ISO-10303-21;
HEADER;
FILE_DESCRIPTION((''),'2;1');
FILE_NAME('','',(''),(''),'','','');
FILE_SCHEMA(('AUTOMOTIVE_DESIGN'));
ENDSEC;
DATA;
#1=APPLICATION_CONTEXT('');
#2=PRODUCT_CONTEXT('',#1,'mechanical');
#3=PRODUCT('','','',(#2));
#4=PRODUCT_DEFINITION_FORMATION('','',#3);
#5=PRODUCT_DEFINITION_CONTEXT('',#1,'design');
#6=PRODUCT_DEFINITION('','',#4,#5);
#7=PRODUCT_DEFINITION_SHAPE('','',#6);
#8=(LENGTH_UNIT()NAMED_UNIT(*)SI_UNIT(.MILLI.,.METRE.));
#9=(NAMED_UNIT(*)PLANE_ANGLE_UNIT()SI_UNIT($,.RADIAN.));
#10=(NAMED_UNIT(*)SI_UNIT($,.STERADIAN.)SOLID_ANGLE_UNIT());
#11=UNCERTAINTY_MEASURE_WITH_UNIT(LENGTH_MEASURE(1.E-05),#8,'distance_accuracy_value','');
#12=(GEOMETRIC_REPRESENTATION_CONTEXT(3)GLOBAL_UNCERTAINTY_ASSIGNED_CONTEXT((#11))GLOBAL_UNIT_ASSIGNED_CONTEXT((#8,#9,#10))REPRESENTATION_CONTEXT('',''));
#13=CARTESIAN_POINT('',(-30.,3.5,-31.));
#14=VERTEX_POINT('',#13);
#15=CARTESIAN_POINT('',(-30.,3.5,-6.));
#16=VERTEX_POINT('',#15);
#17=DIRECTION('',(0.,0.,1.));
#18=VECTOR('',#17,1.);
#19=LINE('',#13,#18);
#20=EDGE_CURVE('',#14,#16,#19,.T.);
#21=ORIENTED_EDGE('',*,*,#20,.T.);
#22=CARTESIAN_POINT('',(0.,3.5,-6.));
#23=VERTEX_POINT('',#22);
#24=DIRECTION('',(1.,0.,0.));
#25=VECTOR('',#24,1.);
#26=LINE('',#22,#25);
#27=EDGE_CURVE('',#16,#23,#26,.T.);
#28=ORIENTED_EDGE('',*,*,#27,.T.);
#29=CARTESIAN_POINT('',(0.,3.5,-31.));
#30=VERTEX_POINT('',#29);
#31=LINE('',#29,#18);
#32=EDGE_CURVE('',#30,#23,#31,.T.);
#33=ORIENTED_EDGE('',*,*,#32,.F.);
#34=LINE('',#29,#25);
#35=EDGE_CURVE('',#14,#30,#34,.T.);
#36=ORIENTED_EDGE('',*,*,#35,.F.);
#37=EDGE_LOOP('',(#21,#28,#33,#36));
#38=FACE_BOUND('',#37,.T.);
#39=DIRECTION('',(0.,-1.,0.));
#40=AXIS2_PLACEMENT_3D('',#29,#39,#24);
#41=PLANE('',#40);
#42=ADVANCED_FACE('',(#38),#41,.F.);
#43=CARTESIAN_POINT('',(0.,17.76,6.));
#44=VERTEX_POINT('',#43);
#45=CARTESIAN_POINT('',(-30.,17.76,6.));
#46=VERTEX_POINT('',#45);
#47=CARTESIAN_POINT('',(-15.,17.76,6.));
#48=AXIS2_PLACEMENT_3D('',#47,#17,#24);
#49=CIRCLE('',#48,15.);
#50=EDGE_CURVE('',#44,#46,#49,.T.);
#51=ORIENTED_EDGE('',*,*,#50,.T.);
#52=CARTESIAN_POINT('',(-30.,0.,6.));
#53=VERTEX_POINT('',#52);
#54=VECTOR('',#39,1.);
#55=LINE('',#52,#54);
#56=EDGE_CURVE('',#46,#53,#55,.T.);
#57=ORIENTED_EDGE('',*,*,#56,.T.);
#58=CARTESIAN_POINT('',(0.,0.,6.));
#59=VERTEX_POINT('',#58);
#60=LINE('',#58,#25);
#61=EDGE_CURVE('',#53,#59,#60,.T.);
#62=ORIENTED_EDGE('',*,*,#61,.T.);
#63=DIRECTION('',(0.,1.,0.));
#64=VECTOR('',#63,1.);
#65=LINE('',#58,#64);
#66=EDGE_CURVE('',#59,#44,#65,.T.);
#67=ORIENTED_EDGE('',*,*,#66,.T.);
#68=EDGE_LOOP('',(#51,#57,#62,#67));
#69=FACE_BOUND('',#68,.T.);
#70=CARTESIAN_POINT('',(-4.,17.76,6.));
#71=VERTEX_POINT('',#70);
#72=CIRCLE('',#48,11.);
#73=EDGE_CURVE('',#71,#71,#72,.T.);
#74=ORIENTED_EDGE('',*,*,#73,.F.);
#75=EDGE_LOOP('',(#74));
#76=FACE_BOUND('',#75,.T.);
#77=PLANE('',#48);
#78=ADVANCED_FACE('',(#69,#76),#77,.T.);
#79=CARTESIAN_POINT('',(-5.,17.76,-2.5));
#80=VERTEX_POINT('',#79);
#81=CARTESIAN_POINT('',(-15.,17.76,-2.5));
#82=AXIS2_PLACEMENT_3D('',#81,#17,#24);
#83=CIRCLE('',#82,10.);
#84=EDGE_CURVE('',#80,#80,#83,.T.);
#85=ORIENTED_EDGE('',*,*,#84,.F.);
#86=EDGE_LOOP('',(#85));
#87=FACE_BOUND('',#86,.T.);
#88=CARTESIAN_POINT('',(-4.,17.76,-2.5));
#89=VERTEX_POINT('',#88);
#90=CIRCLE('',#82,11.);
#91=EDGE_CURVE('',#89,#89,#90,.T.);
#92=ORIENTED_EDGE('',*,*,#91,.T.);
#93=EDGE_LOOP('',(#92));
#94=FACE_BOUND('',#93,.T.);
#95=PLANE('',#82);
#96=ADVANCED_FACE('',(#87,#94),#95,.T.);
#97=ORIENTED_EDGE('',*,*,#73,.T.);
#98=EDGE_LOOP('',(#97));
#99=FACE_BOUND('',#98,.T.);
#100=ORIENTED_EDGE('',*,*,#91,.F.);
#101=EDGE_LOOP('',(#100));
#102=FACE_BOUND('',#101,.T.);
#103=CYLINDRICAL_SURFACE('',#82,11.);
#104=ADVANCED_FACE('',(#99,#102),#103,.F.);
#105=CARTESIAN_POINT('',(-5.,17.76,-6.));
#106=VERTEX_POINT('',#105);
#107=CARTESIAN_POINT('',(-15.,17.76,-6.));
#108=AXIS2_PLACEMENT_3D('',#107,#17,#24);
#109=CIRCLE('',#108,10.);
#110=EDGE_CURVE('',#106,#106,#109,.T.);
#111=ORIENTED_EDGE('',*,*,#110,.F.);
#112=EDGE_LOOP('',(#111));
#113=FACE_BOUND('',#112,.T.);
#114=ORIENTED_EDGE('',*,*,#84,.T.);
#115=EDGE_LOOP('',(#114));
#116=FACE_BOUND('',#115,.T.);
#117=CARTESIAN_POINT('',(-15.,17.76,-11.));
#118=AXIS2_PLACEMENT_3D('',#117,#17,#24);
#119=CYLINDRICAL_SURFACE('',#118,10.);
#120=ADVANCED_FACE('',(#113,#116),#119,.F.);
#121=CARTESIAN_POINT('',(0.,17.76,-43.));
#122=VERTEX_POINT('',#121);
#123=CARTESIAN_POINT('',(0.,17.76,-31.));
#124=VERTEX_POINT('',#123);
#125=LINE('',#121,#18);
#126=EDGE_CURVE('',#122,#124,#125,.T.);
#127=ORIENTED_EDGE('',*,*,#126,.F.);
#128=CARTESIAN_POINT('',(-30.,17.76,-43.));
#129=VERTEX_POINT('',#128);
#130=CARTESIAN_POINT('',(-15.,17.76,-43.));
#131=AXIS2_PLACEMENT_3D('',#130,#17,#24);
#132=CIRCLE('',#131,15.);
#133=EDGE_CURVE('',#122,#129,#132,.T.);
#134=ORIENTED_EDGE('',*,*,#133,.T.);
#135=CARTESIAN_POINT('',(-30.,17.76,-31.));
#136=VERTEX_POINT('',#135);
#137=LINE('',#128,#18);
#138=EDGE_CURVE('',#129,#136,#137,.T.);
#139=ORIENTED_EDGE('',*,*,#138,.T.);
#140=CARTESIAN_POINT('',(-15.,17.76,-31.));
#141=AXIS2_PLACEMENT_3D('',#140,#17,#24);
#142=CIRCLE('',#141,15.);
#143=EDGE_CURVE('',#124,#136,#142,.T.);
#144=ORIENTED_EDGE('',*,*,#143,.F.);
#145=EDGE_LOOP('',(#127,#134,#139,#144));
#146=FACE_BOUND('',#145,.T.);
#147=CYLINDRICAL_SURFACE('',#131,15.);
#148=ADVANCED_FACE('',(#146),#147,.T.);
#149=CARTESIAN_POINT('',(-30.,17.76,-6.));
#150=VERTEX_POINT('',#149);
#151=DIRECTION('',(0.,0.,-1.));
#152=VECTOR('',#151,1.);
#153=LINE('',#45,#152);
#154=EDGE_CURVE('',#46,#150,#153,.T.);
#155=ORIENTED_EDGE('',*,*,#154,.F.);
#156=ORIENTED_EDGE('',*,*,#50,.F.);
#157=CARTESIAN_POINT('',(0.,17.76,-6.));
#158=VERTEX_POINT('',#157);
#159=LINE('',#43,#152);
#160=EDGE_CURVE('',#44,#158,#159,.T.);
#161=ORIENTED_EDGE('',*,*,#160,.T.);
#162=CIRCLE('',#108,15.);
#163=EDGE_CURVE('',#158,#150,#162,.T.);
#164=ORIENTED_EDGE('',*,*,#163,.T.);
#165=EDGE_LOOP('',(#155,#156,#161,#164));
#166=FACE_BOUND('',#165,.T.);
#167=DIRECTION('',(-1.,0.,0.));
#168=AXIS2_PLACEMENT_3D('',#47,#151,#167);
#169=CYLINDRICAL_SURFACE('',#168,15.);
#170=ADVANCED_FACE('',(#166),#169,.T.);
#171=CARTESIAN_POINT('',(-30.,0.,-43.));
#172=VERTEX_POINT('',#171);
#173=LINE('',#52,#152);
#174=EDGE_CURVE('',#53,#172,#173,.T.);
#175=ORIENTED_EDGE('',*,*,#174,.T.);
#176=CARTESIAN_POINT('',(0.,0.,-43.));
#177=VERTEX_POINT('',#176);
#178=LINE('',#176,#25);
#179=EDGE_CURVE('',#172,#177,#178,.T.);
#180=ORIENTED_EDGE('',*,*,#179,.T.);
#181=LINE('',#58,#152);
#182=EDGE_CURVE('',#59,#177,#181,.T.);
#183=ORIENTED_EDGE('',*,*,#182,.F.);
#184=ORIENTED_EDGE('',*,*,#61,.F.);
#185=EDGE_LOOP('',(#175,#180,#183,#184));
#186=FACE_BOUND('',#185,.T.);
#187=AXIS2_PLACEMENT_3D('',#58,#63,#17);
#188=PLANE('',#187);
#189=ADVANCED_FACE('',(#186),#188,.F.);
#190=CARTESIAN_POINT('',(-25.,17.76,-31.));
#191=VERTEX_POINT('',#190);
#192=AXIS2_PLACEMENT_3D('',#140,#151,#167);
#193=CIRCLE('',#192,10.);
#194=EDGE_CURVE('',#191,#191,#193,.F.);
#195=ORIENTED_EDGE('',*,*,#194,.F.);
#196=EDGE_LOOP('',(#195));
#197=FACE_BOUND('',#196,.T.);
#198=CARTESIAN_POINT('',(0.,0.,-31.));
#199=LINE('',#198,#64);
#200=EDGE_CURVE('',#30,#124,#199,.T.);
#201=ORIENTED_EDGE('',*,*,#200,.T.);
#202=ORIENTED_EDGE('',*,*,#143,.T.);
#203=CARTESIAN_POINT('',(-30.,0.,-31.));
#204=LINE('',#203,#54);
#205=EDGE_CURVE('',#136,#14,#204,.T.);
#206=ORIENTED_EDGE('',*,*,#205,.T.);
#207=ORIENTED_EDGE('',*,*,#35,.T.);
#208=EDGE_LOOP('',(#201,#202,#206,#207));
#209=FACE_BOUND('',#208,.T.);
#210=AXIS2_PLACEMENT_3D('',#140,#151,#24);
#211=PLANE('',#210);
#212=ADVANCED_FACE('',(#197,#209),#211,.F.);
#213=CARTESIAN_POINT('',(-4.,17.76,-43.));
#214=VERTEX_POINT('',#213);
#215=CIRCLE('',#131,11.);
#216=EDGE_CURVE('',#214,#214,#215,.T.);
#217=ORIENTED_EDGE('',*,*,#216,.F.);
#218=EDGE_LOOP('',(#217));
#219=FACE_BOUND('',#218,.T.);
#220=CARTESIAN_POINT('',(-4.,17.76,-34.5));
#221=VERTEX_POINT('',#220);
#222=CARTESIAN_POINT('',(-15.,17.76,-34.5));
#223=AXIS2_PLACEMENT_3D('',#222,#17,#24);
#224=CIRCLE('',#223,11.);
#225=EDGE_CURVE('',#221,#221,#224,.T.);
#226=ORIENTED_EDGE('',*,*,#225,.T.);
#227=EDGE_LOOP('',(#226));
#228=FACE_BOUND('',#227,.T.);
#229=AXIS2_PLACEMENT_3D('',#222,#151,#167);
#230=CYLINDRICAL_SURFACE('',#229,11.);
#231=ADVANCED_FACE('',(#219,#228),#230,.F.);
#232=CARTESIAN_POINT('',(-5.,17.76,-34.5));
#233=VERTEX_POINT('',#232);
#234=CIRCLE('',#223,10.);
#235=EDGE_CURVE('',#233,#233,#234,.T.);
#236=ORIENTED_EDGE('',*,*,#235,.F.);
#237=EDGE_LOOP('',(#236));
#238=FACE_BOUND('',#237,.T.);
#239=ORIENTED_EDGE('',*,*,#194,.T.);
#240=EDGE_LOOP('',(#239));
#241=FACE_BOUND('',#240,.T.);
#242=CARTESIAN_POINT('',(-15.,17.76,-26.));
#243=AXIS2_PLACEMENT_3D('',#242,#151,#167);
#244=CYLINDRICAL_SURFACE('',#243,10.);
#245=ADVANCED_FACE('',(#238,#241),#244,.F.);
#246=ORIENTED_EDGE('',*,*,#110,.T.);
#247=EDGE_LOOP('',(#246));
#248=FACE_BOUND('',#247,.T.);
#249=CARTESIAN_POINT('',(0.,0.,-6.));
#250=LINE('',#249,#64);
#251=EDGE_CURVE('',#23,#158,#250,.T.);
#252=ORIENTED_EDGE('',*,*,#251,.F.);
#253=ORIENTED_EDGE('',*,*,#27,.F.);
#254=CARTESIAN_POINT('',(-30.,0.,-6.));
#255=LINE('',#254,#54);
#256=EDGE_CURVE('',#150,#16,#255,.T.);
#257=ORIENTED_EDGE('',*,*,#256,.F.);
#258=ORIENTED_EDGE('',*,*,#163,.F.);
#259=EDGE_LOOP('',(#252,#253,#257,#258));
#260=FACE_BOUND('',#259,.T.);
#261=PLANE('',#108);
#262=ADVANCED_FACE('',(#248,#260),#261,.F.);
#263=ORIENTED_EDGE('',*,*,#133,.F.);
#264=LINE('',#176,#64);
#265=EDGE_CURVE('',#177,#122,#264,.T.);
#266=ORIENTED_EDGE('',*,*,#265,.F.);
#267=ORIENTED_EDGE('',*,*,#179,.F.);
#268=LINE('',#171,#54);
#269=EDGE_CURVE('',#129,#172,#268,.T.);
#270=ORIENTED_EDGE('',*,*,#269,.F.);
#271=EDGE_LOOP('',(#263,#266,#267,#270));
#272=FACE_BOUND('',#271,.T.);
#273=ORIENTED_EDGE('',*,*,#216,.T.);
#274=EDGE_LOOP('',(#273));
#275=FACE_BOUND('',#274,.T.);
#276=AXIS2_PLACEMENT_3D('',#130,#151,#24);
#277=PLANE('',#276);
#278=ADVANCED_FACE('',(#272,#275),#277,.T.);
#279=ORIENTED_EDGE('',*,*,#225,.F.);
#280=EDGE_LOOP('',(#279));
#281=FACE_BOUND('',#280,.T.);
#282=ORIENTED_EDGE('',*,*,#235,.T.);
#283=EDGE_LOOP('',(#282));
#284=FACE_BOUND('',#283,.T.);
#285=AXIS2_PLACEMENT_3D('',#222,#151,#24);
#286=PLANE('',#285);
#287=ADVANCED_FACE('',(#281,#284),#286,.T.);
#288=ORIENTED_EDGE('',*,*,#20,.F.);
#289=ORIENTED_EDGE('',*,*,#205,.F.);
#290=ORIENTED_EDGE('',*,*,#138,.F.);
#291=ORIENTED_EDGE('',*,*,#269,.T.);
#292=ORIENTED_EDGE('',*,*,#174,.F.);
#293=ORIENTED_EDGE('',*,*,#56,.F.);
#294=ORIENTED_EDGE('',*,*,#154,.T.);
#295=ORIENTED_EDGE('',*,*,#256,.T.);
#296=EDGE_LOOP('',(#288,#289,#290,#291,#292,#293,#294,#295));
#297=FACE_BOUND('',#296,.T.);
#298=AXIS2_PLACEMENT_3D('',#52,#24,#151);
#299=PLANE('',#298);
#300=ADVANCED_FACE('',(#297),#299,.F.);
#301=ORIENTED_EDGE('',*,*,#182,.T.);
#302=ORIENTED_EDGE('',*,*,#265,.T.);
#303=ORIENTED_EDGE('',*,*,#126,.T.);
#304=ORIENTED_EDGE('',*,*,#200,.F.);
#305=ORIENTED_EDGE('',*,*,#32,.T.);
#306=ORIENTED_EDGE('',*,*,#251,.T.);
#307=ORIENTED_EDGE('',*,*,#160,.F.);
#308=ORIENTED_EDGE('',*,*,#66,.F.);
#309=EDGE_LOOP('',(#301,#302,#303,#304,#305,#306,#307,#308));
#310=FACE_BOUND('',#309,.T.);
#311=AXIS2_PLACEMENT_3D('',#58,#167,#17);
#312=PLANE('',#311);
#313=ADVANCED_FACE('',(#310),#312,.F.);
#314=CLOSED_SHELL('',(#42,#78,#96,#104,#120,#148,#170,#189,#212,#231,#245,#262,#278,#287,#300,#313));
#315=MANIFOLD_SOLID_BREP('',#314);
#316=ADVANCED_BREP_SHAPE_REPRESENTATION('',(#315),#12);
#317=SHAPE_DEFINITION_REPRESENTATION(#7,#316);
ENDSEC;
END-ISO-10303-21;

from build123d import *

# Parameters (mm, degrees)
SALIENTE_EXTRUIR1_DEPTH = 6
CROQUIS3_R              = 4
CORTAR_EXTRUIR1_DEPTH   = 47.013232879
CROQUIS4_R              = 11
CORTAR_EXTRUIR2_DEPTH   = 8.5
CROQUIS5_R              = 10
CORTAR_EXTRUIR3_DEPTH   = 8.5
CROQUIS6_W              = 30
CROQUIS6_H              = 3.5
SALIENTE_EXTRUIR2_DEPTH = 25


with BuildPart() as part:
    # Croquis2 → Saliente-Extruir1 (new, symmetric)
    with BuildSketch(Plane.XY):
        with BuildLine():
            Line((0, 0), (-30, 0))
            Line((-30, 0), (-30, 17.76))
            ThreePointArc((-30, 17.76), (-15, 32.76), (0, 17.76))
            Line((0, 17.76), (0, 0))
        make_face()
    saliente_extruir1 = extrude(amount=SALIENTE_EXTRUIR1_DEPTH, both=True)

    # Croquis3 → Cortar-Extruir1 (cut, through all)
    with BuildSketch(Plane.XY.offset(6)):
        with Locations((-15, 17.76)):
            Circle(CROQUIS3_R)
    extrude(amount=-CORTAR_EXTRUIR1_DEPTH, mode=Mode.SUBTRACT)

    # Croquis4 → Cortar-Extruir2 (cut)
    with BuildSketch(Plane.XY.offset(6)):
        with Locations((-15, 17.76)):
            Circle(CROQUIS4_R)
    cortar_extruir2 = extrude(amount=-CORTAR_EXTRUIR2_DEPTH, mode=Mode.SUBTRACT)

    # Croquis5 → Cortar-Extruir3 (cut)
    with BuildSketch(Plane.XY.offset(-2.5)):
        with Locations((-15, 17.76)):
            Circle(CROQUIS5_R)
    cortar_extruir3 = extrude(amount=-CORTAR_EXTRUIR3_DEPTH, mode=Mode.SUBTRACT)

    # Croquis6 → Saliente-Extruir2 (add)
    with BuildSketch(Plane(origin=(0, 0, -6), x_dir=(-1, 0, 0), z_dir=(0, 0, -1))):
        with Locations((15, 1.75)):
            Rectangle(CROQUIS6_W, CROQUIS6_H)
    extrude(amount=SALIENTE_EXTRUIR2_DEPTH)

    # Simetría1: Saliente-Extruir1, Cortar-Extruir2, Cortar-Extruir3 across plane
    add(saliente_extruir1.mirror(Plane(origin=(0, 0, -18.5), x_dir=(1, 0, 0), z_dir=(0, 0, -1))))
    add(cortar_extruir2.mirror(Plane(origin=(0, 0, -18.5), x_dir=(1, 0, 0), z_dir=(0, 0, -1))), mode=Mode.SUBTRACT)
    add(cortar_extruir3.mirror(Plane(origin=(0, 0, -18.5), x_dir=(1, 0, 0), z_dir=(0, 0, -1))), mode=Mode.SUBTRACT)


solid = part.part
